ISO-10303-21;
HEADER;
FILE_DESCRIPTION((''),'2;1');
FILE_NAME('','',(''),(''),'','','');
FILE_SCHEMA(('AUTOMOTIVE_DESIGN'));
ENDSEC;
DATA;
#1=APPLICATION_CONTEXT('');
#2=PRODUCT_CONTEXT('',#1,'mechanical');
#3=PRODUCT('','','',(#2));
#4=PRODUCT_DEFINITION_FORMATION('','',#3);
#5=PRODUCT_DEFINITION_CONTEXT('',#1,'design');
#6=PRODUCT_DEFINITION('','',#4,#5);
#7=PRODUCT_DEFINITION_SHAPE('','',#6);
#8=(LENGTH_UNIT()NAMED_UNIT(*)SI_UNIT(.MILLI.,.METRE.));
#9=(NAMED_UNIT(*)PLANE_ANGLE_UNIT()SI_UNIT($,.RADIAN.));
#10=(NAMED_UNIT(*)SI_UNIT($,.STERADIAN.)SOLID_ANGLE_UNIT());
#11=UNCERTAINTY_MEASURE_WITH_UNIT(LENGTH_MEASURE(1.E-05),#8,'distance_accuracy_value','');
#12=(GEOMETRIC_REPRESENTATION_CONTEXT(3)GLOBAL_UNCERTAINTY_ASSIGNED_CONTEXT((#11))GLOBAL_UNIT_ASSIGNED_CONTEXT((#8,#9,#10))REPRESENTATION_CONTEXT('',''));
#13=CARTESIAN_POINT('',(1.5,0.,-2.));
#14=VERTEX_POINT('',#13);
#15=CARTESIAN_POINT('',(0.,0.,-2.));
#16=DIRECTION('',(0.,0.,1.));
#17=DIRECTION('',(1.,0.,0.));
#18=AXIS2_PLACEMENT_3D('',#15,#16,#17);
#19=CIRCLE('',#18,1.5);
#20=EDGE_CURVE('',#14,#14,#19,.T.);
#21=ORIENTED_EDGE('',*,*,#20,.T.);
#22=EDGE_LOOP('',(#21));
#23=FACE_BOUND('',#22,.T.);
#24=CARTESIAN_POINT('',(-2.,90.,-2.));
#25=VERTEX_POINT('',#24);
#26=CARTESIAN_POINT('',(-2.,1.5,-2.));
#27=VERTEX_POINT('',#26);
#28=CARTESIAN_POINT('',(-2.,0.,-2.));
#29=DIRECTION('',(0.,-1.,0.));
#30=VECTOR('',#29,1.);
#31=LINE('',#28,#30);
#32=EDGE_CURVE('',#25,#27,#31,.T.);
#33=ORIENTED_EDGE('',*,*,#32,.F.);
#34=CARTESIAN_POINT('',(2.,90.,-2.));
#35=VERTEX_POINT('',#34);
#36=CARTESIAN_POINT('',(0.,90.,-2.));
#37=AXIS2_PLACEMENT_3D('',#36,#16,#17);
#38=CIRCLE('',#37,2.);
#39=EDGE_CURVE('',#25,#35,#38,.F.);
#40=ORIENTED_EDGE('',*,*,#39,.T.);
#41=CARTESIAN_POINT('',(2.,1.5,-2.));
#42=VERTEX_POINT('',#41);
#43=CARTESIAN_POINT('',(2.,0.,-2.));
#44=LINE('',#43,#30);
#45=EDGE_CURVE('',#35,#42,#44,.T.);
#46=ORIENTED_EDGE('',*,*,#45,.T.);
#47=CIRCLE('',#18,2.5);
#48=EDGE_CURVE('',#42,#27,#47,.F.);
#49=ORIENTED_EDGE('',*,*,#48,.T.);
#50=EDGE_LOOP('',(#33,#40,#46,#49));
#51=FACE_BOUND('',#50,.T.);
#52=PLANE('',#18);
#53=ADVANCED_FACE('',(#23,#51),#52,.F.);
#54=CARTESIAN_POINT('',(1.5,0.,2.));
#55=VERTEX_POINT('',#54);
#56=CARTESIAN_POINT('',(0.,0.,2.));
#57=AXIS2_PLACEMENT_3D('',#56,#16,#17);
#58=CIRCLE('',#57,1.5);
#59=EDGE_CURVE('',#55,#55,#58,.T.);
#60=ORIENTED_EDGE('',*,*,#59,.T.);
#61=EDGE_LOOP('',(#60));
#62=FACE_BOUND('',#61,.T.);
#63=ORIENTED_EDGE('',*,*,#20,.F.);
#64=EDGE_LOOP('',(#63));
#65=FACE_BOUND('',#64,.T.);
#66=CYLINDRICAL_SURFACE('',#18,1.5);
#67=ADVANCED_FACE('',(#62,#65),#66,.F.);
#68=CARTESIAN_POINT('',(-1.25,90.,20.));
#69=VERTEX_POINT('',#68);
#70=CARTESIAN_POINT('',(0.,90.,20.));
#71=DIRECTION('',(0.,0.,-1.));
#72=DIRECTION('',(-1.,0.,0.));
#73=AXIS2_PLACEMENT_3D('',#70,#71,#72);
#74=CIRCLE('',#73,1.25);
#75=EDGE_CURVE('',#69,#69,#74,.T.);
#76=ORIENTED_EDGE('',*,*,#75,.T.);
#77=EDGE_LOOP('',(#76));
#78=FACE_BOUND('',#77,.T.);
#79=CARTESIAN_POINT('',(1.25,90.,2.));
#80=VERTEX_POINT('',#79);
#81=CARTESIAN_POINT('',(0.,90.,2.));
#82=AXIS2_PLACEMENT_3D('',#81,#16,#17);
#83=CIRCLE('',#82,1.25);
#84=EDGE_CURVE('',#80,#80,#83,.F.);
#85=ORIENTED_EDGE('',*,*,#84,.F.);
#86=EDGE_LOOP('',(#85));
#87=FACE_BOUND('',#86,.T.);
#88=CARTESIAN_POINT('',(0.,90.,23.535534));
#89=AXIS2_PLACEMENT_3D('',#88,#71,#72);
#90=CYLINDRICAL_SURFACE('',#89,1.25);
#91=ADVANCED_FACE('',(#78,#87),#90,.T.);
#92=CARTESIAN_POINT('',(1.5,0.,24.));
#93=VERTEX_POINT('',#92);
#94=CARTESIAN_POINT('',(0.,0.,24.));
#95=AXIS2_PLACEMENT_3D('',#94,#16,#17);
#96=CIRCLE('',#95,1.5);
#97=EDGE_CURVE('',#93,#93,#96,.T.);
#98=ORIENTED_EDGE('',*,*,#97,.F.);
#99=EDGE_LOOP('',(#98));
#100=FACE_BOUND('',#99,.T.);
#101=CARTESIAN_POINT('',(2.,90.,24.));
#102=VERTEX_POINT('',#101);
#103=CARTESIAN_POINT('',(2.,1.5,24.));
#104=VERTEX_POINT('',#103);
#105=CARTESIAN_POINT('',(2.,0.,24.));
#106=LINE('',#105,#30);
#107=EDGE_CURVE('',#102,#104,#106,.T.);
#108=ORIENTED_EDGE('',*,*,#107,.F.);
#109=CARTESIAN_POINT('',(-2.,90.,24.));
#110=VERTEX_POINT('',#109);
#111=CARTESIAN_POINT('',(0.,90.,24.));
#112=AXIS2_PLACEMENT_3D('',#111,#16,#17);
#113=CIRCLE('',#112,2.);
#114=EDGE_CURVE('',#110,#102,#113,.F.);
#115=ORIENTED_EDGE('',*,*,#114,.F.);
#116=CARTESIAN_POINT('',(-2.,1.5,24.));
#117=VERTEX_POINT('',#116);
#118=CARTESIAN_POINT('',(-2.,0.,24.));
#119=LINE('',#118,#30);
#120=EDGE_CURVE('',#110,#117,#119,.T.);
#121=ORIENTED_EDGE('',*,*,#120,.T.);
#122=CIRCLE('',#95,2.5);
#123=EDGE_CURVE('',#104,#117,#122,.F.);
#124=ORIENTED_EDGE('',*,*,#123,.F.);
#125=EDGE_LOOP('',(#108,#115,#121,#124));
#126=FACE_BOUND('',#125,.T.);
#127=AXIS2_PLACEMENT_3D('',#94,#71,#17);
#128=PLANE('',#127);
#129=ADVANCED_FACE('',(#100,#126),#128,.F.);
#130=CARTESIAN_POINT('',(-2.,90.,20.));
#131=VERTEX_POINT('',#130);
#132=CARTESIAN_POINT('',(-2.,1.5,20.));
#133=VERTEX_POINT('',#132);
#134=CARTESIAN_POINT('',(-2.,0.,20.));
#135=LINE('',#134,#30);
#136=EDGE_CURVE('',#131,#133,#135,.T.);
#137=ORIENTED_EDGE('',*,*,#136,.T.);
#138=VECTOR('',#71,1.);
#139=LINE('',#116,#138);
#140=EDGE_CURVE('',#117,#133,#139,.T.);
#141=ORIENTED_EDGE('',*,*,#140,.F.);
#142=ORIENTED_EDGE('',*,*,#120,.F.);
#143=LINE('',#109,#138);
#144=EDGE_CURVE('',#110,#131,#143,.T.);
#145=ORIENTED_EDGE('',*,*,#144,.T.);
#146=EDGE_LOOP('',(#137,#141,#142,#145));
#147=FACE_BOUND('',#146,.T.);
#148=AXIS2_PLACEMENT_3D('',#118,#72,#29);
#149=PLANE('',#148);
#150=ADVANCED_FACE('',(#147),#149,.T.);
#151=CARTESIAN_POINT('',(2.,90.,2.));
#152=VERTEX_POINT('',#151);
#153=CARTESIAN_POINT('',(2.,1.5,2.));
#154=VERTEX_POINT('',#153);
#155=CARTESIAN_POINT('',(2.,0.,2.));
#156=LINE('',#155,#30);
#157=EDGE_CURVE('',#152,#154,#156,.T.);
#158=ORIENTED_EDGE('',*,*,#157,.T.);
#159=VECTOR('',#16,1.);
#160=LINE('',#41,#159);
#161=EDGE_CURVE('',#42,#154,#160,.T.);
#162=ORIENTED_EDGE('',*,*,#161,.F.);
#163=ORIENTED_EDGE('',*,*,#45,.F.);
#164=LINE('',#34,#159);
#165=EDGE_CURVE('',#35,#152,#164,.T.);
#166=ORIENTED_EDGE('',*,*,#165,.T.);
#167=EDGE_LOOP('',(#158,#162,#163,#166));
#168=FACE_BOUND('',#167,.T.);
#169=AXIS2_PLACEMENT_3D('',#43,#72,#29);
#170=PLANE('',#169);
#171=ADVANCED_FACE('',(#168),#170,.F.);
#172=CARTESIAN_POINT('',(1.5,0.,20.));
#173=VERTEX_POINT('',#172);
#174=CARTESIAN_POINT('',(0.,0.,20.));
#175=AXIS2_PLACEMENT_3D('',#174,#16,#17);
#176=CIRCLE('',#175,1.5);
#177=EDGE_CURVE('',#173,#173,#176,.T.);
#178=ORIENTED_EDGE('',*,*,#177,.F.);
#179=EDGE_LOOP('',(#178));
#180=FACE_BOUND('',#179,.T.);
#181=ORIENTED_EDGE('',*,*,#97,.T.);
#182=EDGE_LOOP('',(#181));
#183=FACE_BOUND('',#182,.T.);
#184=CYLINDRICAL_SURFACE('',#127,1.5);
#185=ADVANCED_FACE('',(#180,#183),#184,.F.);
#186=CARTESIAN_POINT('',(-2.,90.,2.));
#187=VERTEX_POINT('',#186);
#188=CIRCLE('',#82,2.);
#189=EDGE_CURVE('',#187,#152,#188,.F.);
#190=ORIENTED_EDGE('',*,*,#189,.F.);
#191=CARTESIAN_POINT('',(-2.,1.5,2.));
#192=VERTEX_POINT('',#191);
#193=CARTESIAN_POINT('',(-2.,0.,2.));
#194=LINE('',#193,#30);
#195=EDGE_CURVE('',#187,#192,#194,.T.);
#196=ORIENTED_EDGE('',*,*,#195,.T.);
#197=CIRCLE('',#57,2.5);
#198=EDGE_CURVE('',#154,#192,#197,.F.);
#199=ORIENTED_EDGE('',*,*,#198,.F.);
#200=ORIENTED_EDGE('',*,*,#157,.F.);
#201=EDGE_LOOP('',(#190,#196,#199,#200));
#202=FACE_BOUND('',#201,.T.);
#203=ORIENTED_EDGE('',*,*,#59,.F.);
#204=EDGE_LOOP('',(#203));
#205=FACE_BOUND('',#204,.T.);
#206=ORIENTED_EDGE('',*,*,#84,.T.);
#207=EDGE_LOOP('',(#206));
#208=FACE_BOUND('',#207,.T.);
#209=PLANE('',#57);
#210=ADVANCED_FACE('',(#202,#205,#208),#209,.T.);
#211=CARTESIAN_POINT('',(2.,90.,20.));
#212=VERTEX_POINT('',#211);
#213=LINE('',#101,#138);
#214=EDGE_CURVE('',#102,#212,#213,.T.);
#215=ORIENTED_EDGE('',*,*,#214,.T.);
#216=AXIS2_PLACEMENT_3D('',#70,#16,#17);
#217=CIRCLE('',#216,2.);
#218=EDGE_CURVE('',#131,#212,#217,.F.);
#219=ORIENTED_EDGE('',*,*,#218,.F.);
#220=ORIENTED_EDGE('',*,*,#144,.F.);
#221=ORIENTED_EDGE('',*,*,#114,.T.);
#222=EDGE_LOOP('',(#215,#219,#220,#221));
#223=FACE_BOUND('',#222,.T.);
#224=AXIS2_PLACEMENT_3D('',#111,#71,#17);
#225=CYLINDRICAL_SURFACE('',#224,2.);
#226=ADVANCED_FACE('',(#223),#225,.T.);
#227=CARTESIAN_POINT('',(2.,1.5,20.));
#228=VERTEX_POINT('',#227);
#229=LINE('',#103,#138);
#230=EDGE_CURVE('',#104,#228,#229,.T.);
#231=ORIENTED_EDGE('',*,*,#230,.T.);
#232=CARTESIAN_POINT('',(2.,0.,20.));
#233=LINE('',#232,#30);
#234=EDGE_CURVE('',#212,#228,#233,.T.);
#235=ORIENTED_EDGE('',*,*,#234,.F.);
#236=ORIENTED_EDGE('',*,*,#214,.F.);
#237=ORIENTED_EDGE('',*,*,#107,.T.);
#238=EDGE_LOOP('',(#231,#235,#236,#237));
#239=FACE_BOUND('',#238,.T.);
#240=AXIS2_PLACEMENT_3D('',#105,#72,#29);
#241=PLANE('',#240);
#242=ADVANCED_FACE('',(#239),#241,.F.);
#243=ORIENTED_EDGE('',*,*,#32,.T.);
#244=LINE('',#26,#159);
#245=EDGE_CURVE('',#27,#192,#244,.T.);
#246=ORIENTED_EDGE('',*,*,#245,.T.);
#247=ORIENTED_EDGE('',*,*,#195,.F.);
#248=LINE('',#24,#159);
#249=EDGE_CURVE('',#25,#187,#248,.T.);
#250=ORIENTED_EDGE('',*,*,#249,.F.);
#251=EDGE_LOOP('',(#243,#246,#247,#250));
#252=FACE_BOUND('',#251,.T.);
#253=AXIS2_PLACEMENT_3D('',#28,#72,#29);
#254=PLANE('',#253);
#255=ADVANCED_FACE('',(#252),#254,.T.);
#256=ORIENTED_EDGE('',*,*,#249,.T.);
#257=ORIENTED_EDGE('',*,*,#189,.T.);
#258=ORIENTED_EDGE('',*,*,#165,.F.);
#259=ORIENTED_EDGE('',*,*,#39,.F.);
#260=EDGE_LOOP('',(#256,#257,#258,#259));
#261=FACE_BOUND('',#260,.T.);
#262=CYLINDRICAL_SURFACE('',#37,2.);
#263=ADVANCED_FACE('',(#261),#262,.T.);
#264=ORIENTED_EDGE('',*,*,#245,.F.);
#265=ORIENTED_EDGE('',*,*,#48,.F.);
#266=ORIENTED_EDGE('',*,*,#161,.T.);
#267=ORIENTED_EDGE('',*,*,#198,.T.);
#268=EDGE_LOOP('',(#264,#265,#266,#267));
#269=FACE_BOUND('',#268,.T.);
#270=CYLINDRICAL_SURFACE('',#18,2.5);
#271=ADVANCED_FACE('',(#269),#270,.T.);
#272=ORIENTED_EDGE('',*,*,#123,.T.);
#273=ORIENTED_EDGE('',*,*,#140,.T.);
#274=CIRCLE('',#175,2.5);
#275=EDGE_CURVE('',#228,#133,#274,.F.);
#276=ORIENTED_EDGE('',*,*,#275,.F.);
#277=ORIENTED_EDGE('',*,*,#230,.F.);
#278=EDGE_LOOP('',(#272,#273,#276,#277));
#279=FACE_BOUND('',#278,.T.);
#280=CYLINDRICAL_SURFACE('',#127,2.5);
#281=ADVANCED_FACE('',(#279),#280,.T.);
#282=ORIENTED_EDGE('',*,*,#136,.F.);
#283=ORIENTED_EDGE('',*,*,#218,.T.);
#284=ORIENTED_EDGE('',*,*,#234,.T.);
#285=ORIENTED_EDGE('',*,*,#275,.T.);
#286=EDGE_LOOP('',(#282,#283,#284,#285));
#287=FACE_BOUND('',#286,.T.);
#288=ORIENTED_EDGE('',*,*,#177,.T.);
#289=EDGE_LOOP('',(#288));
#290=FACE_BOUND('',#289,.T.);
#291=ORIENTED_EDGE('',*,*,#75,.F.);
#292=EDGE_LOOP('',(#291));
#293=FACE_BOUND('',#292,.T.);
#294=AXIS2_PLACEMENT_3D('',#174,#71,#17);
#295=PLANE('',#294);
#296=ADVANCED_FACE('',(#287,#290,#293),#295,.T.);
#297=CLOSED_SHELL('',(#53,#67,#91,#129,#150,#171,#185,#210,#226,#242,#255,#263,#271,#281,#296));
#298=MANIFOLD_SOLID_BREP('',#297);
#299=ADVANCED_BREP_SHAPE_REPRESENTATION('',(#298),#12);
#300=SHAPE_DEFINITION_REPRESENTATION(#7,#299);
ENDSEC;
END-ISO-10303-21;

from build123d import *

# Parameters (mm, degrees)
SKETCH1_R                = 1.25
SKETCH1_R_2              = 1.5
BOSS_EXTRUDE1_DEPTH      = 2
BOSS_EXTRUDE1_DEPTH_BACK = 2
SKETCH1_4_R              = 1.25
BOSS_EXTRUDE2_DEPTH      = 20


with BuildPart() as part:
    # Sketch1 → Boss-Extrude1 (new, two sides)
    with BuildSketch(Plane.XY) as boss_extrude1_sk:
        with BuildLine():
            ThreePointArc((2, 1.5), (0, -2.5), (-2, 1.5))
            Line((-2, 1.5), (-2, 90))
            ThreePointArc((-2, 90), (0, 92), (2, 90))
            Line((2, 90), (2, 1.5))
        make_face()
        with Locations((0, 90)):
            Circle(SKETCH1_R, mode=Mode.SUBTRACT)
        Circle(SKETCH1_R_2, mode=Mode.SUBTRACT)
        with Locations((0, 90)):
            Circle(SKETCH1_R)
    extrude(amount=BOSS_EXTRUDE1_DEPTH)
    extrude(boss_extrude1_sk.sketch, amount=-BOSS_EXTRUDE1_DEPTH_BACK)


with BuildPart() as body_2:
    # Mirror2: mirrored copy
    add(part.part.mirror(Plane.XY.offset(11)))


with BuildPart() as part_1:
    add(part.part)

    add(body_2.part)  # Boss-Extrude2 merges body 2
    # Sketch1<4> → Boss-Extrude2 (add)
    with BuildSketch(Plane.XY):
        with Locations(Location((0, 90, 0), (0, 0, 180))):
            Circle(SKETCH1_4_R)
    extrude(amount=BOSS_EXTRUDE2_DEPTH)


solid = part_1.part
